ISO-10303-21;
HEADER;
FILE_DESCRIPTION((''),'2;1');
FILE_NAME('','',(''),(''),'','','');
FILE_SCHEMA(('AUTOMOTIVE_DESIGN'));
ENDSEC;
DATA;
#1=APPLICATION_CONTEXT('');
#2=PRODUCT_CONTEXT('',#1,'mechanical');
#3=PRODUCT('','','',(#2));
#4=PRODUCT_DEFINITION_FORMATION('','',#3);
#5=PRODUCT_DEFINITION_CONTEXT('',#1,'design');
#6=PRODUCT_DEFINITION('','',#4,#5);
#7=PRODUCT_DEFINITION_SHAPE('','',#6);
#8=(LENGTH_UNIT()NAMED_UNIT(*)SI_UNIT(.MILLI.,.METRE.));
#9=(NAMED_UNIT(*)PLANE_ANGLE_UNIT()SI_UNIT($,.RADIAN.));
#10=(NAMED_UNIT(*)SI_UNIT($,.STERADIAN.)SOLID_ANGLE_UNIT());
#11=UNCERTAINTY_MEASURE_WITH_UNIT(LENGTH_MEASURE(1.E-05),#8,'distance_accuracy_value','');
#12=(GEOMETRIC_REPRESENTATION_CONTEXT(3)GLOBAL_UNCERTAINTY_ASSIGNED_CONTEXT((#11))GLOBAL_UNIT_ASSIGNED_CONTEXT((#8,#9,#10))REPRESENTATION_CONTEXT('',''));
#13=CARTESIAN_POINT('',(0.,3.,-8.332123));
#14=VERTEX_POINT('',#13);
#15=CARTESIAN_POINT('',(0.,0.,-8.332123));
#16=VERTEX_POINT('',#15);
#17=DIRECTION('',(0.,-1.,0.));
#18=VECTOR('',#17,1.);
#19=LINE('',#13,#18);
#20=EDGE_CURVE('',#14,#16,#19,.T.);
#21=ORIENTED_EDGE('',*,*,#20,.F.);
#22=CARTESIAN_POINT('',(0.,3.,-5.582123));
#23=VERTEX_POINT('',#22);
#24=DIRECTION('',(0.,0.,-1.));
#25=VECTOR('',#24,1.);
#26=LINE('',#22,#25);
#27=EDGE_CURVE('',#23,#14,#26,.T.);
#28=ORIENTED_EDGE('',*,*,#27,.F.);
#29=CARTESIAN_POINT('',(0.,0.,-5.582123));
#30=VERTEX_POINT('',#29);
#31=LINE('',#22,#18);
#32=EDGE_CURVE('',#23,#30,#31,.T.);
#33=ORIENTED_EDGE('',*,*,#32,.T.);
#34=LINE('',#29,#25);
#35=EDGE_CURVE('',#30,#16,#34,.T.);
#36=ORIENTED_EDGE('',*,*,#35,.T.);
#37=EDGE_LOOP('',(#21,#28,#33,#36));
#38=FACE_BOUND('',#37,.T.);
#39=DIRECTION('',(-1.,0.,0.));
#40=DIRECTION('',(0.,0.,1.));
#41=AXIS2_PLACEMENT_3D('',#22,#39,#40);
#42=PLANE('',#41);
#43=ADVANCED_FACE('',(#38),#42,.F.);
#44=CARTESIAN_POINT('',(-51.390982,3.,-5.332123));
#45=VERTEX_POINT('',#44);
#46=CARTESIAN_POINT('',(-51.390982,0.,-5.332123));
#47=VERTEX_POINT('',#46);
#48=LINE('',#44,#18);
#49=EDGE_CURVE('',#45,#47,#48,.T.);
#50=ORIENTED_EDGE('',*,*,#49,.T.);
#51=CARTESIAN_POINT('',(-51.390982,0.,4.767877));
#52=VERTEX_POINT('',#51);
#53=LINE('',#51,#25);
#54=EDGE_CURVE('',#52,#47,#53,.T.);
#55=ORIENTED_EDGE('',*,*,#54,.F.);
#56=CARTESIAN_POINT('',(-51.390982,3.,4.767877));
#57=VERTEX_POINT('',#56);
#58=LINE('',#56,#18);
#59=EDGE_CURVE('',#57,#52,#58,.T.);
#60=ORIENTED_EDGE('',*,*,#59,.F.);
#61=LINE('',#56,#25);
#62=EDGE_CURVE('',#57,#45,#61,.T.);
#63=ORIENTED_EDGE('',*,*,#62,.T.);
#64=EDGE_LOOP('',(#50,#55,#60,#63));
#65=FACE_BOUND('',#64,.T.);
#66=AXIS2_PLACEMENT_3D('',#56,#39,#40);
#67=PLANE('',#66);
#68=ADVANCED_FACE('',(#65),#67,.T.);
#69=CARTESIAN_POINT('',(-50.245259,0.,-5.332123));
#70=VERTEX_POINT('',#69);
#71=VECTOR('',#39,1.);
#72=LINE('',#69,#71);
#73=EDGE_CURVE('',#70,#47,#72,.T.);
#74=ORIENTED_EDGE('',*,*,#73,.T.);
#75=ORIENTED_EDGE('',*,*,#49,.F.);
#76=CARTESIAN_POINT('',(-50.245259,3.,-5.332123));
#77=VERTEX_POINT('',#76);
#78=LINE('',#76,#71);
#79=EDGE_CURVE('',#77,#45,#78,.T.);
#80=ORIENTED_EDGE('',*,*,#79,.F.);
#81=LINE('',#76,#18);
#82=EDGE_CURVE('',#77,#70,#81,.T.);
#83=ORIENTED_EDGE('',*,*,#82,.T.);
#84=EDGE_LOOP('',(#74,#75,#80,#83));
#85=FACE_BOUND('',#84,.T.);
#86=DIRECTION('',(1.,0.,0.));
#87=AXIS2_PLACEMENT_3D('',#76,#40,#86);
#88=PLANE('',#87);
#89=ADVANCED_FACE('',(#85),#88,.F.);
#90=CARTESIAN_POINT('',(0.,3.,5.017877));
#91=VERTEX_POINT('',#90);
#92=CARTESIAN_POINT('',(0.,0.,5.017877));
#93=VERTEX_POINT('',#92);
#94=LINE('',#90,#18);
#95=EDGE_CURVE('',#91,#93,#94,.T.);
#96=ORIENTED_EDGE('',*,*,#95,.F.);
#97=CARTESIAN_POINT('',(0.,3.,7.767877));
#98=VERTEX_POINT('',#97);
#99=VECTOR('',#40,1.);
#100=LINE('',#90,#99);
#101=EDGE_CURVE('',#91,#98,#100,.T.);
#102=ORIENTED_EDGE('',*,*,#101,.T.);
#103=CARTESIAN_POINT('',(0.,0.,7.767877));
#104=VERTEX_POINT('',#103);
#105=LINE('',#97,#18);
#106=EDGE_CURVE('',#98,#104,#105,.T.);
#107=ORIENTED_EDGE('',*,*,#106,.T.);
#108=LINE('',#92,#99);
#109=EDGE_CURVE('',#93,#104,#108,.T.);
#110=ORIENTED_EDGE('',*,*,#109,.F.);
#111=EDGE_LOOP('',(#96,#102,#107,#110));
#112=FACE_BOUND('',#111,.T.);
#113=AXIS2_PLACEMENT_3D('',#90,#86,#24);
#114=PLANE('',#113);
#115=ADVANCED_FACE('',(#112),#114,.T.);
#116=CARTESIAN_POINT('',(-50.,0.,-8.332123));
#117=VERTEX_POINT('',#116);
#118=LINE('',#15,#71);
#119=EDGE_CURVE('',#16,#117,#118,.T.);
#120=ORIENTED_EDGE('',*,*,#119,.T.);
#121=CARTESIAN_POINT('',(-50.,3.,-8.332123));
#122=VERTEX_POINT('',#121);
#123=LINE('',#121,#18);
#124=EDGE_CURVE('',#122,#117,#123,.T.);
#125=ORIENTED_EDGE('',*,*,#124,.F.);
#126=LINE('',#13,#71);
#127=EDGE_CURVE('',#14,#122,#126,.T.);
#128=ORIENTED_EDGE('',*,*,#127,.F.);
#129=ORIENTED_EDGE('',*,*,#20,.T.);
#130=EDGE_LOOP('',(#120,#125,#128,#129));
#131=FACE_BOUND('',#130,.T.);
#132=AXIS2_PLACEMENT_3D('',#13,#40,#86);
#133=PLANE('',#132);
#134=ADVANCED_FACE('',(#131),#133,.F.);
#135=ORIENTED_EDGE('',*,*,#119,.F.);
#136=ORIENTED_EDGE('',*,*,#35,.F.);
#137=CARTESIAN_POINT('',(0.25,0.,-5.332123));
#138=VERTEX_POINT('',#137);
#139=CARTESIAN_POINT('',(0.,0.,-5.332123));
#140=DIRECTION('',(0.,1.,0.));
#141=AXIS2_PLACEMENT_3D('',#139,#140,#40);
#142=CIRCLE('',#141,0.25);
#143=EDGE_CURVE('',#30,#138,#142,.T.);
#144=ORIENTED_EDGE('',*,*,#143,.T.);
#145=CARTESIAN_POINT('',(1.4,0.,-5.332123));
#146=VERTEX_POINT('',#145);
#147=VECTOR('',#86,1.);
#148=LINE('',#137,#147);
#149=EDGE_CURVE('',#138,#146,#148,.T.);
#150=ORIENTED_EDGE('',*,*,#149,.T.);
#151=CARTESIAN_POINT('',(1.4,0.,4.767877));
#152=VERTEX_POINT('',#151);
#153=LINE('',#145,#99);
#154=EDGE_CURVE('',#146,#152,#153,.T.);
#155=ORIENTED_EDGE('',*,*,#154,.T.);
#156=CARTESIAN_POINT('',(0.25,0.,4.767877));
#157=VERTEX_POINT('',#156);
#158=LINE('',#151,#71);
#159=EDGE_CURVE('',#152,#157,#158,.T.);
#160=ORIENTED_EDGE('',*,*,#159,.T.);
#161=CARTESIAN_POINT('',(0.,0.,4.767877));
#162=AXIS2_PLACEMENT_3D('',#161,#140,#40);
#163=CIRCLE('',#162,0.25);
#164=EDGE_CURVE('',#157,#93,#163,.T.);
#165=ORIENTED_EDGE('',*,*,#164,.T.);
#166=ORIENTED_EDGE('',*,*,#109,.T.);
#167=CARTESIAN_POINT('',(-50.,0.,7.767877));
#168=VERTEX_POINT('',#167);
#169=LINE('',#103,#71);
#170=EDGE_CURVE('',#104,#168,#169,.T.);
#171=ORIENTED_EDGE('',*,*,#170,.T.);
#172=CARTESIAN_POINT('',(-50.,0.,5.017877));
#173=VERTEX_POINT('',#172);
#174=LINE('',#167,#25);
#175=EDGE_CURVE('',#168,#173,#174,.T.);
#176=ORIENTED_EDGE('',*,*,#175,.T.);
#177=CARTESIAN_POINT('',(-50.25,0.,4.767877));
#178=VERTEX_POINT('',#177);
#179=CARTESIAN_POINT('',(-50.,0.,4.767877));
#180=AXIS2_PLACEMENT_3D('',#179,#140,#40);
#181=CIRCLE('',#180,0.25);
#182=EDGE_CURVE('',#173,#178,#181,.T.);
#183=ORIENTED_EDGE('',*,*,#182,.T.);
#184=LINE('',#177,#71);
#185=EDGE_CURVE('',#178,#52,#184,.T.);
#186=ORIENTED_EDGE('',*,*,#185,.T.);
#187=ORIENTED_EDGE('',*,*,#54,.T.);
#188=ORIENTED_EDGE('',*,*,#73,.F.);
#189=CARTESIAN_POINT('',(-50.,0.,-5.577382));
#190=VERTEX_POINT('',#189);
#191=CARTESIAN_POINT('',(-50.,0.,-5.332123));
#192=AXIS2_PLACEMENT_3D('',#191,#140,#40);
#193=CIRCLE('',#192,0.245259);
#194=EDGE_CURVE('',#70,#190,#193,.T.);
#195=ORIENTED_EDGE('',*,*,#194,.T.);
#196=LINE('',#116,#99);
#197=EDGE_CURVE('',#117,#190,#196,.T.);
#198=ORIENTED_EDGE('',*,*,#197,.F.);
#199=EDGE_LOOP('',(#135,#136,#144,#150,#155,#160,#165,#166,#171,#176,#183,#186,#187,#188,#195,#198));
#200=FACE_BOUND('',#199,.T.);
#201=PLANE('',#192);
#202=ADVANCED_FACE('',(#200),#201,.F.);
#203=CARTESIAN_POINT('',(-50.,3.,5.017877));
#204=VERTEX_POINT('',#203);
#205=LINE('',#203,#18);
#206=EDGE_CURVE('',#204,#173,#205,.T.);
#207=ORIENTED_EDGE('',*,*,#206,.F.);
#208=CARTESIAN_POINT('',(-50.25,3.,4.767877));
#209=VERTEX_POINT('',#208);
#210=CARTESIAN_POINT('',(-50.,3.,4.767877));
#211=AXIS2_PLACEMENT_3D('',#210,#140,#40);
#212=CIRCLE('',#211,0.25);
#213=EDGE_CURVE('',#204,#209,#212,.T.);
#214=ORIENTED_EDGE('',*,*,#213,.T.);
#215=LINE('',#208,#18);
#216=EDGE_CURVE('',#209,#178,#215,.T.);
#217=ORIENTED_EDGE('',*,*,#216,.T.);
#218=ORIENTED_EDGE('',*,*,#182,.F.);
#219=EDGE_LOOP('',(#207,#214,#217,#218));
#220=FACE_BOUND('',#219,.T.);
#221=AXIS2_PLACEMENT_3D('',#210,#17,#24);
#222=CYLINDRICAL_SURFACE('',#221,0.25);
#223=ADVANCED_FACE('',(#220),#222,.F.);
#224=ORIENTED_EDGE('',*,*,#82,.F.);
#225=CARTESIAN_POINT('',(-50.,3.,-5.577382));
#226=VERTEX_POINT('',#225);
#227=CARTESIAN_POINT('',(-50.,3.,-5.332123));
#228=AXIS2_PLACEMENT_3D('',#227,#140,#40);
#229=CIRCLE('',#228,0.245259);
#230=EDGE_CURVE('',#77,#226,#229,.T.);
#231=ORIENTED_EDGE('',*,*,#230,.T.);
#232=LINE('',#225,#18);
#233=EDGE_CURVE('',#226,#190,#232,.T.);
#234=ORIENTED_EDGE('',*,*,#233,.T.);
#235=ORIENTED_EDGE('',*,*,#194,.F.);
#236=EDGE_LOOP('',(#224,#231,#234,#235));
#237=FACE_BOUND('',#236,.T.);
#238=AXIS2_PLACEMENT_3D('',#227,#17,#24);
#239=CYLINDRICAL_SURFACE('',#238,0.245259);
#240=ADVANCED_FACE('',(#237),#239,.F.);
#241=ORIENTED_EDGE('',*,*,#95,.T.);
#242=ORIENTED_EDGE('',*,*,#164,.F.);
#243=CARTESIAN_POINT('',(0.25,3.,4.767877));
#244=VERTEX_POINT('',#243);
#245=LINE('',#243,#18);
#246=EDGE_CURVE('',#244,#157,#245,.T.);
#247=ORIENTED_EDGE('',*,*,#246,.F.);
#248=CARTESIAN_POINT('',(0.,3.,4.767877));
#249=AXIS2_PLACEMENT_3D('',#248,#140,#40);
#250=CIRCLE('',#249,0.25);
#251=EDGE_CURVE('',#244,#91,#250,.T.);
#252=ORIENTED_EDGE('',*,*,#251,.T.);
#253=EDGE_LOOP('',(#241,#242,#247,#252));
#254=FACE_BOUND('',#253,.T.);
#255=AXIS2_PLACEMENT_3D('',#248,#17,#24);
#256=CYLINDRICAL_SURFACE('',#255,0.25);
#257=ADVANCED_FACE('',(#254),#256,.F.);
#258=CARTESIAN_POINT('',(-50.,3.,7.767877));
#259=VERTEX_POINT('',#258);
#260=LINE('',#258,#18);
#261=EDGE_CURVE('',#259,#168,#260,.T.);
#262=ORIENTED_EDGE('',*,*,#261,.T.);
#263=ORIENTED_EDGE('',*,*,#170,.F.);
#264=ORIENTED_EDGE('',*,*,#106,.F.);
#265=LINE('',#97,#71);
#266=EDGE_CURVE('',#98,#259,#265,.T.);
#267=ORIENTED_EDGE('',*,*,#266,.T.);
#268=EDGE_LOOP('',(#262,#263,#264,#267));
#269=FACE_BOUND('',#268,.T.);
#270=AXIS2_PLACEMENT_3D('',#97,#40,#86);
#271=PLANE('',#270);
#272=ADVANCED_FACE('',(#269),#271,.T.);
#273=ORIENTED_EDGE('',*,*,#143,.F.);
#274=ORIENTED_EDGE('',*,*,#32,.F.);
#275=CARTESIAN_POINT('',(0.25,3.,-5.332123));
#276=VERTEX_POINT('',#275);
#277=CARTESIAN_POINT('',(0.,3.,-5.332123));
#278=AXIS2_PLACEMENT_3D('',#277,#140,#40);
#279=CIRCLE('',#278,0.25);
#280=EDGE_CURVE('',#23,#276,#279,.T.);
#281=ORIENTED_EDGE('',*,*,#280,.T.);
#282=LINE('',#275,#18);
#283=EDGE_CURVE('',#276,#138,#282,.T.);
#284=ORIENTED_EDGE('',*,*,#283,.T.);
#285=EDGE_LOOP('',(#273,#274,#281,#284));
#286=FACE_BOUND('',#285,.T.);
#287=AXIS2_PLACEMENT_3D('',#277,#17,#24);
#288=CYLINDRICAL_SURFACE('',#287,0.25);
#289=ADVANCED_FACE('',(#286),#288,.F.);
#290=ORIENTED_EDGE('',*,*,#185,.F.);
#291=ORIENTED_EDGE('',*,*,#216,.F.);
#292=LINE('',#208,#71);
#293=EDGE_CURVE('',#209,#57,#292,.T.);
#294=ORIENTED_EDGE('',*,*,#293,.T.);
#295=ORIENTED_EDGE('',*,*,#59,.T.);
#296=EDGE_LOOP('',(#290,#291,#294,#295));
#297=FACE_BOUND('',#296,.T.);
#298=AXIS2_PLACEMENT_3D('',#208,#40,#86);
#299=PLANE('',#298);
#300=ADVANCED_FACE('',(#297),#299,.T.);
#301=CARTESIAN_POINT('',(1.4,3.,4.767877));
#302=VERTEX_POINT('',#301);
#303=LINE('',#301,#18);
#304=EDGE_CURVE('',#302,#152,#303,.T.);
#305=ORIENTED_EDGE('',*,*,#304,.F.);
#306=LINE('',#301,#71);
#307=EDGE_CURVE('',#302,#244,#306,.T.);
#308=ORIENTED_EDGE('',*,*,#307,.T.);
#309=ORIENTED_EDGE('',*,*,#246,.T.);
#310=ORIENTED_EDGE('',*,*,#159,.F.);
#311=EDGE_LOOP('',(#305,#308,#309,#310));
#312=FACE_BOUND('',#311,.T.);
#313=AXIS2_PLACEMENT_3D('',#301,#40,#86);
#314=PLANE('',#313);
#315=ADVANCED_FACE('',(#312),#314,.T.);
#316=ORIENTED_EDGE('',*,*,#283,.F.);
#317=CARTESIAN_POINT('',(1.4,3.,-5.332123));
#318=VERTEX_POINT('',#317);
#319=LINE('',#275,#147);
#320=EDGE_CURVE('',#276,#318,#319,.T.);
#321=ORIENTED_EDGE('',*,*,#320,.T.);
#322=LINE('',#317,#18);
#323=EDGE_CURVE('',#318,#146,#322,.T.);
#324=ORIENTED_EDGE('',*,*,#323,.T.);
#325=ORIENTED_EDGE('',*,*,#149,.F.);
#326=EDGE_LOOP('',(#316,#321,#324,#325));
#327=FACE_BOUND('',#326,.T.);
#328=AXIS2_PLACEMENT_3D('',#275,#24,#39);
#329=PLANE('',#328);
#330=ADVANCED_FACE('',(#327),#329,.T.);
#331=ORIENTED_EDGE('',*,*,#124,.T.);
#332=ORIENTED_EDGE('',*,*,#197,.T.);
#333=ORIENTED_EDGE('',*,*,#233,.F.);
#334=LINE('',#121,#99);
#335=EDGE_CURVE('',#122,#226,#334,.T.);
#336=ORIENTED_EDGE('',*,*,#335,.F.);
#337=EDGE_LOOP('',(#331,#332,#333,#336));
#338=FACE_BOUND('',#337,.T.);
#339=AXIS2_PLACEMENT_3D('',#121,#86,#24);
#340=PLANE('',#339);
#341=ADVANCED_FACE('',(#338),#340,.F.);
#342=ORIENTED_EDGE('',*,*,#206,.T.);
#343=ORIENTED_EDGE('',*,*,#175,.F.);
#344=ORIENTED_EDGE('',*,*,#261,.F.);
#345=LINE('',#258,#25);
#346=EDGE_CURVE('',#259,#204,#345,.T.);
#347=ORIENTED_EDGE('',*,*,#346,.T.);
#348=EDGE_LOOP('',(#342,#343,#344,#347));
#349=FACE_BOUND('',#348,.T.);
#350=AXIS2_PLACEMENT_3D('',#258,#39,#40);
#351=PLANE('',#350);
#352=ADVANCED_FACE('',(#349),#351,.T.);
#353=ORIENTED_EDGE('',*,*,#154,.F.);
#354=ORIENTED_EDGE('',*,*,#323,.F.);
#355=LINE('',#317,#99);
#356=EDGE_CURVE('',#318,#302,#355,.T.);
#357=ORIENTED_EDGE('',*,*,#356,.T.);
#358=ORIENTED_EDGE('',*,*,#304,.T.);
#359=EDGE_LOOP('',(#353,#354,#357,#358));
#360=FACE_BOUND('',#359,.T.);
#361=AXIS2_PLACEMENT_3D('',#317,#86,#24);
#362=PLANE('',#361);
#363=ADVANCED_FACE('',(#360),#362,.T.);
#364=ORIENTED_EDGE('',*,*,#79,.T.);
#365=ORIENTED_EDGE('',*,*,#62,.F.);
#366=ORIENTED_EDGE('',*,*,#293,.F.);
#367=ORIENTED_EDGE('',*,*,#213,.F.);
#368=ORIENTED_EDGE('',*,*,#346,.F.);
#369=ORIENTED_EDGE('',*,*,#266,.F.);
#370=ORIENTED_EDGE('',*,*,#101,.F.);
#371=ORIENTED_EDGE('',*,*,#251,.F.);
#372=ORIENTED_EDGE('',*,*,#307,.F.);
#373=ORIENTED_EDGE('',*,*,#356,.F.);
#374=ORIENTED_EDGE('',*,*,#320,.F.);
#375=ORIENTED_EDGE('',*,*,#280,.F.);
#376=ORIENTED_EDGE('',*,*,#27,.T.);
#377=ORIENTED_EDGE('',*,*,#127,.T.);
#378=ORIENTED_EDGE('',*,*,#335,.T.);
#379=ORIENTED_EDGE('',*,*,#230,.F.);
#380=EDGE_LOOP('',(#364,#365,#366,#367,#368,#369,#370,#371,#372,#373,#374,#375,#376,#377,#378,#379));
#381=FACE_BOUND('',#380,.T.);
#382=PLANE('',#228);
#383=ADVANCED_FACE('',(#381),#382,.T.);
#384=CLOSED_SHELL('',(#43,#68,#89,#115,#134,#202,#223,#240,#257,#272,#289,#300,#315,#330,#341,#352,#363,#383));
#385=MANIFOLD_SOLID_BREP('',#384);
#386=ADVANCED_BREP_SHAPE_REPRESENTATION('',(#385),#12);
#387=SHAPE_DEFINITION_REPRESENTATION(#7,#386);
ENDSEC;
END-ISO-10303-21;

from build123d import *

# Parameters (mm, degrees)
BOSS_EXTRUDE1_DEPTH = 3


with BuildPart() as part:
    # Sketch1 → Boss-Extrude1 (new body)
    with BuildSketch(Plane(origin=(0, 0, 0), x_dir=(1, 0, 0), z_dir=(0, 1, 0))):
        with BuildLine():
            Line((0.25, 5.332122905), (1.4, 5.332122905))
            Line((1.4, 5.332122905), (1.4, -4.767877095))
            Line((1.4, -4.767877095), (0.25, -4.767877095))
            ThreePointArc((0.25, -4.767877095), (-0.176776695, -4.5911004), (0, -5.017877095))
            Line((0, -5.017877095), (0, -7.767877095))
            Line((0, -7.767877095), (-50, -7.767877095))
            Line((-50, -7.767877095), (-50, -5.017877095))
            ThreePointArc((-50, -5.017877095), (-49.823223305, -4.5911004), (-50.25, -4.767877095))
            Line((-50.25, -4.767877095), (-51.390981623, -4.767877095))
            Line((-51.390981623, -4.767877095), (-51.390981623, 5.332122905))
            Line((-51.390981623, 5.332122905), (-50.245259273, 5.332122905))
            ThreePointArc((-50.245259273, 5.332122905), (-49.826575505, 5.15869841), (-50, 5.577382178))
            Line((-50, 5.577382178), (-50, 8.332122905))
            Line((-50, 8.332122905), (0, 8.332122905))
            Line((0, 8.332122905), (0, 5.582122905))
            ThreePointArc((0, 5.582122905), (-0.176776695, 5.15534621), (0.25, 5.332122905))
        make_face()
    extrude(amount=BOSS_EXTRUDE1_DEPTH)


solid = part.part
